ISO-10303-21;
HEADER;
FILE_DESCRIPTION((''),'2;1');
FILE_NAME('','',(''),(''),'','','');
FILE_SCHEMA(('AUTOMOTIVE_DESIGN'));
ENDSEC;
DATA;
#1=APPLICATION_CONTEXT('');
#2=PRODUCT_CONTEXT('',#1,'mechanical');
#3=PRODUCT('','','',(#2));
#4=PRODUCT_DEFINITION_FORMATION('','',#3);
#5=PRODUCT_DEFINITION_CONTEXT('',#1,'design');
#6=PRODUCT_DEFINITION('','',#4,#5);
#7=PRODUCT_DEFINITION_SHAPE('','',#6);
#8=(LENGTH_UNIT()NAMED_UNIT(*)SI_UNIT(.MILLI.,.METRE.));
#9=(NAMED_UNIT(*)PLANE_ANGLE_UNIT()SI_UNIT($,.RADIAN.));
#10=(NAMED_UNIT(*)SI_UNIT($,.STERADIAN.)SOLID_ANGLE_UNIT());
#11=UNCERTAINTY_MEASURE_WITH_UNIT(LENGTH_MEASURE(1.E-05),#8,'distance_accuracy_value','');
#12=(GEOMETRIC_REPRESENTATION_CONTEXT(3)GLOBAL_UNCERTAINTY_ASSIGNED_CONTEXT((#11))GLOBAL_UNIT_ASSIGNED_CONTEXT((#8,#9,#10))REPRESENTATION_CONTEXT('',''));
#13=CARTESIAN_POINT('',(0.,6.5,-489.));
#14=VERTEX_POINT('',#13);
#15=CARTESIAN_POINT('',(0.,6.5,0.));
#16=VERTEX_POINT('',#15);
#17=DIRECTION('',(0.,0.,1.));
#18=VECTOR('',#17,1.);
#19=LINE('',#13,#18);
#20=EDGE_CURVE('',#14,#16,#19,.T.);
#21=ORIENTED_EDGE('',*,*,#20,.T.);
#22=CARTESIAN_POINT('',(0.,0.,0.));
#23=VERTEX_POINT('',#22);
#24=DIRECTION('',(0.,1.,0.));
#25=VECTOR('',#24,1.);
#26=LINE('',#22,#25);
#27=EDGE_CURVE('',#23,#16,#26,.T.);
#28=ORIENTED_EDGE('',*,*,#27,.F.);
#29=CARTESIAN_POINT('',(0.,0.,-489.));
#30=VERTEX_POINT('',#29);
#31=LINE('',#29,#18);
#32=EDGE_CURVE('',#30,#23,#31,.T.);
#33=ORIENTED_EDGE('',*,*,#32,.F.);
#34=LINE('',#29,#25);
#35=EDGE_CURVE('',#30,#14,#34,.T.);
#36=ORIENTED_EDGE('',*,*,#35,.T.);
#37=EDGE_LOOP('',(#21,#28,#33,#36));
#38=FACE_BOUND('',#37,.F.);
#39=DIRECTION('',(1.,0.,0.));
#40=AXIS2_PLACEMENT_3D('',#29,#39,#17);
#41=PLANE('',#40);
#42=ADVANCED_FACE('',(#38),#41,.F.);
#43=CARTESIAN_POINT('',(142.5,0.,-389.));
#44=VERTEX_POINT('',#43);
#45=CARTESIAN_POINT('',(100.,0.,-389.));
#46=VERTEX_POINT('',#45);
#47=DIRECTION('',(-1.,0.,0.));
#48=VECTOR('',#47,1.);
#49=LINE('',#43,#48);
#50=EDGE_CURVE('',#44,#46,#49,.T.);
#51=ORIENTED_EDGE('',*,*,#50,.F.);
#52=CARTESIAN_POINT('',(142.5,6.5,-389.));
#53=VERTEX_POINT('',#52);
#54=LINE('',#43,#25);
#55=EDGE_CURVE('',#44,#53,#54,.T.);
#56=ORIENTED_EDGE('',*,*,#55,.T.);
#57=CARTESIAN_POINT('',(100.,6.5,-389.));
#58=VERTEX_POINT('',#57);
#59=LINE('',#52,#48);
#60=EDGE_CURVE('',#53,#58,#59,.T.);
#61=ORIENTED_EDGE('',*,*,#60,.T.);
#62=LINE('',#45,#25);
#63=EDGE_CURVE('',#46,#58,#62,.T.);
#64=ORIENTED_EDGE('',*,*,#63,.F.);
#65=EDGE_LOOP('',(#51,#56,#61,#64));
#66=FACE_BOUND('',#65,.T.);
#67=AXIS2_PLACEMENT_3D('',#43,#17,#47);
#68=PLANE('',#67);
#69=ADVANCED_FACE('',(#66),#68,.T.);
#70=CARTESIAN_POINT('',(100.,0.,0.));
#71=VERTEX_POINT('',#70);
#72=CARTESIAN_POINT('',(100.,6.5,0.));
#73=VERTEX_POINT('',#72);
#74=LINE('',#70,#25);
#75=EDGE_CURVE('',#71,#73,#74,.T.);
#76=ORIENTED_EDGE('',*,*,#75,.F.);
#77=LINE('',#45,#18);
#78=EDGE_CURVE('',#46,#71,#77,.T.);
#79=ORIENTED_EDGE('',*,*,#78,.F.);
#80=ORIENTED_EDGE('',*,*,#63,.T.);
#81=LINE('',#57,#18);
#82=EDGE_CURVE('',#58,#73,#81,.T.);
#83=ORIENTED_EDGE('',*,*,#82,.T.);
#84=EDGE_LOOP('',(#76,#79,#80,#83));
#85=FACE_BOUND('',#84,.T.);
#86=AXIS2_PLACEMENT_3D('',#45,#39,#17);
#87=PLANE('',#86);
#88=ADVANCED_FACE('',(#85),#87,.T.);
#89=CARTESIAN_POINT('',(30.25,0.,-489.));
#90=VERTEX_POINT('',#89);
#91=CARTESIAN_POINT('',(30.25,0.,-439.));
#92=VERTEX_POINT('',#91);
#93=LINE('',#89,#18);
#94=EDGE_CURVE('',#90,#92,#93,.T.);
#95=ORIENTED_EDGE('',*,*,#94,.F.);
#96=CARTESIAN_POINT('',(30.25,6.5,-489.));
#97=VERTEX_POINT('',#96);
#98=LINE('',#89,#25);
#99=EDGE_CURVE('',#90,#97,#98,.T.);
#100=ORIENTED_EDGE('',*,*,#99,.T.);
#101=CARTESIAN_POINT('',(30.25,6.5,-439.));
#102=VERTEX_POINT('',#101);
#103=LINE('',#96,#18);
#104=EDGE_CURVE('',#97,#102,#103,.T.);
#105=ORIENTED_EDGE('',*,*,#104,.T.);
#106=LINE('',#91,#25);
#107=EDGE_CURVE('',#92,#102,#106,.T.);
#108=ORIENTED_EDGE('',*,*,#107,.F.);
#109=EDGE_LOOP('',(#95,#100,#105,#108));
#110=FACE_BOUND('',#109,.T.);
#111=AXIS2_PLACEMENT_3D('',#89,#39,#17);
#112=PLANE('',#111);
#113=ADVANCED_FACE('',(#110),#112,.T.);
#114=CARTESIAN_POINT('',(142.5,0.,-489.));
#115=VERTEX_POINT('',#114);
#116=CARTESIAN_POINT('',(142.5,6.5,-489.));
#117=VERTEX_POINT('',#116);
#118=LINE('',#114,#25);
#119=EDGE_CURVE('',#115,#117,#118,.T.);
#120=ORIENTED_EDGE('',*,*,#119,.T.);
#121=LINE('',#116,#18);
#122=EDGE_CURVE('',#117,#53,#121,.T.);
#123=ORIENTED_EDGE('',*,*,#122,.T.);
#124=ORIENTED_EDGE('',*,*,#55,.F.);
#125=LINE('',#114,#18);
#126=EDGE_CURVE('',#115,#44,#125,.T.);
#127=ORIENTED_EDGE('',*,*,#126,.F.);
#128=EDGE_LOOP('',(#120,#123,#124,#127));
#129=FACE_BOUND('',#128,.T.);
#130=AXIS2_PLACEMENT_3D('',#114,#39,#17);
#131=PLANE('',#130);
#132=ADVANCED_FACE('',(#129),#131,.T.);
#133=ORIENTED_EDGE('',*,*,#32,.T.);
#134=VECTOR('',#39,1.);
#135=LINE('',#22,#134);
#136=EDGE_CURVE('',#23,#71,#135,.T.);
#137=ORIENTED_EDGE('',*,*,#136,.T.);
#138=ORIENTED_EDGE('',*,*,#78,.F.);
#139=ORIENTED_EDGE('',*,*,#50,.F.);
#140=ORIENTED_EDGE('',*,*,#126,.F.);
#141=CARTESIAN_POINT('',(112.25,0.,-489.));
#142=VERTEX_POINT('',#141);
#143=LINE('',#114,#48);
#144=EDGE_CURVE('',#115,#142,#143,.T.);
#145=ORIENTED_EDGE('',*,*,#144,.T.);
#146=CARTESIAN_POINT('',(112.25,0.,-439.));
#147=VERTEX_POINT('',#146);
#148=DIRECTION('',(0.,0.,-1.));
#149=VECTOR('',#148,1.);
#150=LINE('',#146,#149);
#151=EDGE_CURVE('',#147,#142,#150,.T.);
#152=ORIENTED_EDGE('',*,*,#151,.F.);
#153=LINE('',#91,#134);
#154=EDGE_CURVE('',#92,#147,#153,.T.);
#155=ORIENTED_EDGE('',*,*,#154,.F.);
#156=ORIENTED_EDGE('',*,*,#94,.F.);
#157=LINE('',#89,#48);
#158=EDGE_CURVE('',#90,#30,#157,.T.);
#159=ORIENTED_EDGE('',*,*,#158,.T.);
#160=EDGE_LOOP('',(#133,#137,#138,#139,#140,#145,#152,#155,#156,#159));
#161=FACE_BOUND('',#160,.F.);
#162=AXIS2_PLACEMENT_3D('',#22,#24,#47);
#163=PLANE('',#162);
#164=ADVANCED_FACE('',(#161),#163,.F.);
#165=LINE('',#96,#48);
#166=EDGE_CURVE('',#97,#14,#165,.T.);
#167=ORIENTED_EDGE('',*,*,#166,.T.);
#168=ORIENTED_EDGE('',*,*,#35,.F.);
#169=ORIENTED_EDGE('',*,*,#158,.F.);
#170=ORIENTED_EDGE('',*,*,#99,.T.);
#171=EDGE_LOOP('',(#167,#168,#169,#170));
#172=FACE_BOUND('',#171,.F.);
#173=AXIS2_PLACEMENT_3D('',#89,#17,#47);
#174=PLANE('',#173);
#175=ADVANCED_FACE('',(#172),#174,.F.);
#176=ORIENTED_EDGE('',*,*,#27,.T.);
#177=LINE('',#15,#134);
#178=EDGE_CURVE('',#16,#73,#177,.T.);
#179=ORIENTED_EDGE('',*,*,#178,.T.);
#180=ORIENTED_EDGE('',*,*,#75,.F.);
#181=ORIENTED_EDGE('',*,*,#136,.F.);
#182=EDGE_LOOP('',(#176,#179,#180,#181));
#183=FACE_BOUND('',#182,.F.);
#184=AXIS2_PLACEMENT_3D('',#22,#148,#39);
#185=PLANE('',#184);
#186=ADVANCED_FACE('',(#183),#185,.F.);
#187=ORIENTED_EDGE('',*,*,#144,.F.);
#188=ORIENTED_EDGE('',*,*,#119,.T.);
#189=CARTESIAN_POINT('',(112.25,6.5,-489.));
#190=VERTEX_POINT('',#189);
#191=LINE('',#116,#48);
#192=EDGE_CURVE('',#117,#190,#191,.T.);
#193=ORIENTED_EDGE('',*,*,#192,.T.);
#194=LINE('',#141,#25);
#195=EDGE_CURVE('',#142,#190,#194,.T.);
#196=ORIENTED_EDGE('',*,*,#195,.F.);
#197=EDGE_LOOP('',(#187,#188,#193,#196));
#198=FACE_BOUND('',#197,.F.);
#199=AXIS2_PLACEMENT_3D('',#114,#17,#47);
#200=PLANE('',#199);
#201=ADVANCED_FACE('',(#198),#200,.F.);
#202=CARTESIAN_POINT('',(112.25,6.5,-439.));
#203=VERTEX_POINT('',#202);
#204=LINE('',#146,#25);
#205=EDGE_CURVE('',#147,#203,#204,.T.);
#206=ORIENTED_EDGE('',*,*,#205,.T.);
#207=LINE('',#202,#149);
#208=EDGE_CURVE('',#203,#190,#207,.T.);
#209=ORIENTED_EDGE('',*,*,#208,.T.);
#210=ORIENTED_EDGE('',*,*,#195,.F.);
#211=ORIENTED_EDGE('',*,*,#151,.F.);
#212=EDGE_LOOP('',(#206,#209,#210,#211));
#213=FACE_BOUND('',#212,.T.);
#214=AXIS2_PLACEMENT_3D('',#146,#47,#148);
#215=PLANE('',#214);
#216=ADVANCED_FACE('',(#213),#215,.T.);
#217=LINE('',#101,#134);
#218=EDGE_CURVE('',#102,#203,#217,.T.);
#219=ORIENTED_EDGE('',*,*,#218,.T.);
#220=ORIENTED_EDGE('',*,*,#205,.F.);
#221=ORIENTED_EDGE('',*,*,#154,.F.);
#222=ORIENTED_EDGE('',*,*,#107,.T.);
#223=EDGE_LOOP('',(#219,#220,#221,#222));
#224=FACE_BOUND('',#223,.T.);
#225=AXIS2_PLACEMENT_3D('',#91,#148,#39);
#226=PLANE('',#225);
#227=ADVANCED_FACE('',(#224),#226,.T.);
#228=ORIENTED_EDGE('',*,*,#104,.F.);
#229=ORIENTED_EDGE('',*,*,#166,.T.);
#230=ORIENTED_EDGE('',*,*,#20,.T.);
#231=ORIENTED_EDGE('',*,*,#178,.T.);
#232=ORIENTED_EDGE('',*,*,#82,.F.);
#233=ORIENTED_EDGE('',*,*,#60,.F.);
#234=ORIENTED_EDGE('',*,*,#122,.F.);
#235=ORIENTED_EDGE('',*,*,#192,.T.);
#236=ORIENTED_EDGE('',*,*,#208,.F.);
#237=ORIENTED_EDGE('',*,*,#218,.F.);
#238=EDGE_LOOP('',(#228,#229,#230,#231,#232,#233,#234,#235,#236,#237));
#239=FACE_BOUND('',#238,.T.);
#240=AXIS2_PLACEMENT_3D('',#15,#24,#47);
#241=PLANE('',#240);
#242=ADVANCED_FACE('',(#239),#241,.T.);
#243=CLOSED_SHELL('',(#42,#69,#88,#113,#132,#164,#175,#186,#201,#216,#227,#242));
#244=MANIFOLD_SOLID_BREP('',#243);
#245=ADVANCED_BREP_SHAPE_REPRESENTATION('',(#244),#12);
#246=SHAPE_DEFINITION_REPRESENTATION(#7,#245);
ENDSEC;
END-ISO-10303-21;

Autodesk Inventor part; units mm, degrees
ref_plane "YZ Plane" through (0, 0, 0) normal (1, 0, 0) x (0, 1, 0)
ref_plane "XZ Plane" through (0, 0, 0) normal (0, 1, 0) x (-1, 0, 0)
ref_plane "XY Plane" through (0, 0, 0) normal (0, 0, 1) x (1, 0, 0)
sketch "Sketch1" plane through (0, 0, 0) normal (0, 1, 0) x (-1, 0, 0)
  line L0 (0, 0) -> (-100, 0)
  line L1 (0, -489) -> (0, 0)
  line L2 (-30.25, -489) -> (-30.25, -439)
  line L3 (-30.25, -439) -> (-112.25, -439)
  line L4 (-112.25, -439) -> (-112.25, -489)
  line L5 (-142.5, -489) -> (-112.25, -489)
  line L6 (-30.25, -489) -> (0, -489)
  line L7 (-142.5, -489) -> (-142.5, -389)
  line L8 (-142.5, -389) -> (-100, -389)
  line L9 (-100, -389) -> (-100, 0)
  dimension "d0" = 82
  dimension "d1" = 100
  dimension "d2" = 489
  dimension "d3" = 30.25
  dimension "d4" = 50
  dimension "d5" = 50
extrude "Extrusion1" add sketch "Sketch1" along normal blind 6.5
properties part number "inner_brace_left"
